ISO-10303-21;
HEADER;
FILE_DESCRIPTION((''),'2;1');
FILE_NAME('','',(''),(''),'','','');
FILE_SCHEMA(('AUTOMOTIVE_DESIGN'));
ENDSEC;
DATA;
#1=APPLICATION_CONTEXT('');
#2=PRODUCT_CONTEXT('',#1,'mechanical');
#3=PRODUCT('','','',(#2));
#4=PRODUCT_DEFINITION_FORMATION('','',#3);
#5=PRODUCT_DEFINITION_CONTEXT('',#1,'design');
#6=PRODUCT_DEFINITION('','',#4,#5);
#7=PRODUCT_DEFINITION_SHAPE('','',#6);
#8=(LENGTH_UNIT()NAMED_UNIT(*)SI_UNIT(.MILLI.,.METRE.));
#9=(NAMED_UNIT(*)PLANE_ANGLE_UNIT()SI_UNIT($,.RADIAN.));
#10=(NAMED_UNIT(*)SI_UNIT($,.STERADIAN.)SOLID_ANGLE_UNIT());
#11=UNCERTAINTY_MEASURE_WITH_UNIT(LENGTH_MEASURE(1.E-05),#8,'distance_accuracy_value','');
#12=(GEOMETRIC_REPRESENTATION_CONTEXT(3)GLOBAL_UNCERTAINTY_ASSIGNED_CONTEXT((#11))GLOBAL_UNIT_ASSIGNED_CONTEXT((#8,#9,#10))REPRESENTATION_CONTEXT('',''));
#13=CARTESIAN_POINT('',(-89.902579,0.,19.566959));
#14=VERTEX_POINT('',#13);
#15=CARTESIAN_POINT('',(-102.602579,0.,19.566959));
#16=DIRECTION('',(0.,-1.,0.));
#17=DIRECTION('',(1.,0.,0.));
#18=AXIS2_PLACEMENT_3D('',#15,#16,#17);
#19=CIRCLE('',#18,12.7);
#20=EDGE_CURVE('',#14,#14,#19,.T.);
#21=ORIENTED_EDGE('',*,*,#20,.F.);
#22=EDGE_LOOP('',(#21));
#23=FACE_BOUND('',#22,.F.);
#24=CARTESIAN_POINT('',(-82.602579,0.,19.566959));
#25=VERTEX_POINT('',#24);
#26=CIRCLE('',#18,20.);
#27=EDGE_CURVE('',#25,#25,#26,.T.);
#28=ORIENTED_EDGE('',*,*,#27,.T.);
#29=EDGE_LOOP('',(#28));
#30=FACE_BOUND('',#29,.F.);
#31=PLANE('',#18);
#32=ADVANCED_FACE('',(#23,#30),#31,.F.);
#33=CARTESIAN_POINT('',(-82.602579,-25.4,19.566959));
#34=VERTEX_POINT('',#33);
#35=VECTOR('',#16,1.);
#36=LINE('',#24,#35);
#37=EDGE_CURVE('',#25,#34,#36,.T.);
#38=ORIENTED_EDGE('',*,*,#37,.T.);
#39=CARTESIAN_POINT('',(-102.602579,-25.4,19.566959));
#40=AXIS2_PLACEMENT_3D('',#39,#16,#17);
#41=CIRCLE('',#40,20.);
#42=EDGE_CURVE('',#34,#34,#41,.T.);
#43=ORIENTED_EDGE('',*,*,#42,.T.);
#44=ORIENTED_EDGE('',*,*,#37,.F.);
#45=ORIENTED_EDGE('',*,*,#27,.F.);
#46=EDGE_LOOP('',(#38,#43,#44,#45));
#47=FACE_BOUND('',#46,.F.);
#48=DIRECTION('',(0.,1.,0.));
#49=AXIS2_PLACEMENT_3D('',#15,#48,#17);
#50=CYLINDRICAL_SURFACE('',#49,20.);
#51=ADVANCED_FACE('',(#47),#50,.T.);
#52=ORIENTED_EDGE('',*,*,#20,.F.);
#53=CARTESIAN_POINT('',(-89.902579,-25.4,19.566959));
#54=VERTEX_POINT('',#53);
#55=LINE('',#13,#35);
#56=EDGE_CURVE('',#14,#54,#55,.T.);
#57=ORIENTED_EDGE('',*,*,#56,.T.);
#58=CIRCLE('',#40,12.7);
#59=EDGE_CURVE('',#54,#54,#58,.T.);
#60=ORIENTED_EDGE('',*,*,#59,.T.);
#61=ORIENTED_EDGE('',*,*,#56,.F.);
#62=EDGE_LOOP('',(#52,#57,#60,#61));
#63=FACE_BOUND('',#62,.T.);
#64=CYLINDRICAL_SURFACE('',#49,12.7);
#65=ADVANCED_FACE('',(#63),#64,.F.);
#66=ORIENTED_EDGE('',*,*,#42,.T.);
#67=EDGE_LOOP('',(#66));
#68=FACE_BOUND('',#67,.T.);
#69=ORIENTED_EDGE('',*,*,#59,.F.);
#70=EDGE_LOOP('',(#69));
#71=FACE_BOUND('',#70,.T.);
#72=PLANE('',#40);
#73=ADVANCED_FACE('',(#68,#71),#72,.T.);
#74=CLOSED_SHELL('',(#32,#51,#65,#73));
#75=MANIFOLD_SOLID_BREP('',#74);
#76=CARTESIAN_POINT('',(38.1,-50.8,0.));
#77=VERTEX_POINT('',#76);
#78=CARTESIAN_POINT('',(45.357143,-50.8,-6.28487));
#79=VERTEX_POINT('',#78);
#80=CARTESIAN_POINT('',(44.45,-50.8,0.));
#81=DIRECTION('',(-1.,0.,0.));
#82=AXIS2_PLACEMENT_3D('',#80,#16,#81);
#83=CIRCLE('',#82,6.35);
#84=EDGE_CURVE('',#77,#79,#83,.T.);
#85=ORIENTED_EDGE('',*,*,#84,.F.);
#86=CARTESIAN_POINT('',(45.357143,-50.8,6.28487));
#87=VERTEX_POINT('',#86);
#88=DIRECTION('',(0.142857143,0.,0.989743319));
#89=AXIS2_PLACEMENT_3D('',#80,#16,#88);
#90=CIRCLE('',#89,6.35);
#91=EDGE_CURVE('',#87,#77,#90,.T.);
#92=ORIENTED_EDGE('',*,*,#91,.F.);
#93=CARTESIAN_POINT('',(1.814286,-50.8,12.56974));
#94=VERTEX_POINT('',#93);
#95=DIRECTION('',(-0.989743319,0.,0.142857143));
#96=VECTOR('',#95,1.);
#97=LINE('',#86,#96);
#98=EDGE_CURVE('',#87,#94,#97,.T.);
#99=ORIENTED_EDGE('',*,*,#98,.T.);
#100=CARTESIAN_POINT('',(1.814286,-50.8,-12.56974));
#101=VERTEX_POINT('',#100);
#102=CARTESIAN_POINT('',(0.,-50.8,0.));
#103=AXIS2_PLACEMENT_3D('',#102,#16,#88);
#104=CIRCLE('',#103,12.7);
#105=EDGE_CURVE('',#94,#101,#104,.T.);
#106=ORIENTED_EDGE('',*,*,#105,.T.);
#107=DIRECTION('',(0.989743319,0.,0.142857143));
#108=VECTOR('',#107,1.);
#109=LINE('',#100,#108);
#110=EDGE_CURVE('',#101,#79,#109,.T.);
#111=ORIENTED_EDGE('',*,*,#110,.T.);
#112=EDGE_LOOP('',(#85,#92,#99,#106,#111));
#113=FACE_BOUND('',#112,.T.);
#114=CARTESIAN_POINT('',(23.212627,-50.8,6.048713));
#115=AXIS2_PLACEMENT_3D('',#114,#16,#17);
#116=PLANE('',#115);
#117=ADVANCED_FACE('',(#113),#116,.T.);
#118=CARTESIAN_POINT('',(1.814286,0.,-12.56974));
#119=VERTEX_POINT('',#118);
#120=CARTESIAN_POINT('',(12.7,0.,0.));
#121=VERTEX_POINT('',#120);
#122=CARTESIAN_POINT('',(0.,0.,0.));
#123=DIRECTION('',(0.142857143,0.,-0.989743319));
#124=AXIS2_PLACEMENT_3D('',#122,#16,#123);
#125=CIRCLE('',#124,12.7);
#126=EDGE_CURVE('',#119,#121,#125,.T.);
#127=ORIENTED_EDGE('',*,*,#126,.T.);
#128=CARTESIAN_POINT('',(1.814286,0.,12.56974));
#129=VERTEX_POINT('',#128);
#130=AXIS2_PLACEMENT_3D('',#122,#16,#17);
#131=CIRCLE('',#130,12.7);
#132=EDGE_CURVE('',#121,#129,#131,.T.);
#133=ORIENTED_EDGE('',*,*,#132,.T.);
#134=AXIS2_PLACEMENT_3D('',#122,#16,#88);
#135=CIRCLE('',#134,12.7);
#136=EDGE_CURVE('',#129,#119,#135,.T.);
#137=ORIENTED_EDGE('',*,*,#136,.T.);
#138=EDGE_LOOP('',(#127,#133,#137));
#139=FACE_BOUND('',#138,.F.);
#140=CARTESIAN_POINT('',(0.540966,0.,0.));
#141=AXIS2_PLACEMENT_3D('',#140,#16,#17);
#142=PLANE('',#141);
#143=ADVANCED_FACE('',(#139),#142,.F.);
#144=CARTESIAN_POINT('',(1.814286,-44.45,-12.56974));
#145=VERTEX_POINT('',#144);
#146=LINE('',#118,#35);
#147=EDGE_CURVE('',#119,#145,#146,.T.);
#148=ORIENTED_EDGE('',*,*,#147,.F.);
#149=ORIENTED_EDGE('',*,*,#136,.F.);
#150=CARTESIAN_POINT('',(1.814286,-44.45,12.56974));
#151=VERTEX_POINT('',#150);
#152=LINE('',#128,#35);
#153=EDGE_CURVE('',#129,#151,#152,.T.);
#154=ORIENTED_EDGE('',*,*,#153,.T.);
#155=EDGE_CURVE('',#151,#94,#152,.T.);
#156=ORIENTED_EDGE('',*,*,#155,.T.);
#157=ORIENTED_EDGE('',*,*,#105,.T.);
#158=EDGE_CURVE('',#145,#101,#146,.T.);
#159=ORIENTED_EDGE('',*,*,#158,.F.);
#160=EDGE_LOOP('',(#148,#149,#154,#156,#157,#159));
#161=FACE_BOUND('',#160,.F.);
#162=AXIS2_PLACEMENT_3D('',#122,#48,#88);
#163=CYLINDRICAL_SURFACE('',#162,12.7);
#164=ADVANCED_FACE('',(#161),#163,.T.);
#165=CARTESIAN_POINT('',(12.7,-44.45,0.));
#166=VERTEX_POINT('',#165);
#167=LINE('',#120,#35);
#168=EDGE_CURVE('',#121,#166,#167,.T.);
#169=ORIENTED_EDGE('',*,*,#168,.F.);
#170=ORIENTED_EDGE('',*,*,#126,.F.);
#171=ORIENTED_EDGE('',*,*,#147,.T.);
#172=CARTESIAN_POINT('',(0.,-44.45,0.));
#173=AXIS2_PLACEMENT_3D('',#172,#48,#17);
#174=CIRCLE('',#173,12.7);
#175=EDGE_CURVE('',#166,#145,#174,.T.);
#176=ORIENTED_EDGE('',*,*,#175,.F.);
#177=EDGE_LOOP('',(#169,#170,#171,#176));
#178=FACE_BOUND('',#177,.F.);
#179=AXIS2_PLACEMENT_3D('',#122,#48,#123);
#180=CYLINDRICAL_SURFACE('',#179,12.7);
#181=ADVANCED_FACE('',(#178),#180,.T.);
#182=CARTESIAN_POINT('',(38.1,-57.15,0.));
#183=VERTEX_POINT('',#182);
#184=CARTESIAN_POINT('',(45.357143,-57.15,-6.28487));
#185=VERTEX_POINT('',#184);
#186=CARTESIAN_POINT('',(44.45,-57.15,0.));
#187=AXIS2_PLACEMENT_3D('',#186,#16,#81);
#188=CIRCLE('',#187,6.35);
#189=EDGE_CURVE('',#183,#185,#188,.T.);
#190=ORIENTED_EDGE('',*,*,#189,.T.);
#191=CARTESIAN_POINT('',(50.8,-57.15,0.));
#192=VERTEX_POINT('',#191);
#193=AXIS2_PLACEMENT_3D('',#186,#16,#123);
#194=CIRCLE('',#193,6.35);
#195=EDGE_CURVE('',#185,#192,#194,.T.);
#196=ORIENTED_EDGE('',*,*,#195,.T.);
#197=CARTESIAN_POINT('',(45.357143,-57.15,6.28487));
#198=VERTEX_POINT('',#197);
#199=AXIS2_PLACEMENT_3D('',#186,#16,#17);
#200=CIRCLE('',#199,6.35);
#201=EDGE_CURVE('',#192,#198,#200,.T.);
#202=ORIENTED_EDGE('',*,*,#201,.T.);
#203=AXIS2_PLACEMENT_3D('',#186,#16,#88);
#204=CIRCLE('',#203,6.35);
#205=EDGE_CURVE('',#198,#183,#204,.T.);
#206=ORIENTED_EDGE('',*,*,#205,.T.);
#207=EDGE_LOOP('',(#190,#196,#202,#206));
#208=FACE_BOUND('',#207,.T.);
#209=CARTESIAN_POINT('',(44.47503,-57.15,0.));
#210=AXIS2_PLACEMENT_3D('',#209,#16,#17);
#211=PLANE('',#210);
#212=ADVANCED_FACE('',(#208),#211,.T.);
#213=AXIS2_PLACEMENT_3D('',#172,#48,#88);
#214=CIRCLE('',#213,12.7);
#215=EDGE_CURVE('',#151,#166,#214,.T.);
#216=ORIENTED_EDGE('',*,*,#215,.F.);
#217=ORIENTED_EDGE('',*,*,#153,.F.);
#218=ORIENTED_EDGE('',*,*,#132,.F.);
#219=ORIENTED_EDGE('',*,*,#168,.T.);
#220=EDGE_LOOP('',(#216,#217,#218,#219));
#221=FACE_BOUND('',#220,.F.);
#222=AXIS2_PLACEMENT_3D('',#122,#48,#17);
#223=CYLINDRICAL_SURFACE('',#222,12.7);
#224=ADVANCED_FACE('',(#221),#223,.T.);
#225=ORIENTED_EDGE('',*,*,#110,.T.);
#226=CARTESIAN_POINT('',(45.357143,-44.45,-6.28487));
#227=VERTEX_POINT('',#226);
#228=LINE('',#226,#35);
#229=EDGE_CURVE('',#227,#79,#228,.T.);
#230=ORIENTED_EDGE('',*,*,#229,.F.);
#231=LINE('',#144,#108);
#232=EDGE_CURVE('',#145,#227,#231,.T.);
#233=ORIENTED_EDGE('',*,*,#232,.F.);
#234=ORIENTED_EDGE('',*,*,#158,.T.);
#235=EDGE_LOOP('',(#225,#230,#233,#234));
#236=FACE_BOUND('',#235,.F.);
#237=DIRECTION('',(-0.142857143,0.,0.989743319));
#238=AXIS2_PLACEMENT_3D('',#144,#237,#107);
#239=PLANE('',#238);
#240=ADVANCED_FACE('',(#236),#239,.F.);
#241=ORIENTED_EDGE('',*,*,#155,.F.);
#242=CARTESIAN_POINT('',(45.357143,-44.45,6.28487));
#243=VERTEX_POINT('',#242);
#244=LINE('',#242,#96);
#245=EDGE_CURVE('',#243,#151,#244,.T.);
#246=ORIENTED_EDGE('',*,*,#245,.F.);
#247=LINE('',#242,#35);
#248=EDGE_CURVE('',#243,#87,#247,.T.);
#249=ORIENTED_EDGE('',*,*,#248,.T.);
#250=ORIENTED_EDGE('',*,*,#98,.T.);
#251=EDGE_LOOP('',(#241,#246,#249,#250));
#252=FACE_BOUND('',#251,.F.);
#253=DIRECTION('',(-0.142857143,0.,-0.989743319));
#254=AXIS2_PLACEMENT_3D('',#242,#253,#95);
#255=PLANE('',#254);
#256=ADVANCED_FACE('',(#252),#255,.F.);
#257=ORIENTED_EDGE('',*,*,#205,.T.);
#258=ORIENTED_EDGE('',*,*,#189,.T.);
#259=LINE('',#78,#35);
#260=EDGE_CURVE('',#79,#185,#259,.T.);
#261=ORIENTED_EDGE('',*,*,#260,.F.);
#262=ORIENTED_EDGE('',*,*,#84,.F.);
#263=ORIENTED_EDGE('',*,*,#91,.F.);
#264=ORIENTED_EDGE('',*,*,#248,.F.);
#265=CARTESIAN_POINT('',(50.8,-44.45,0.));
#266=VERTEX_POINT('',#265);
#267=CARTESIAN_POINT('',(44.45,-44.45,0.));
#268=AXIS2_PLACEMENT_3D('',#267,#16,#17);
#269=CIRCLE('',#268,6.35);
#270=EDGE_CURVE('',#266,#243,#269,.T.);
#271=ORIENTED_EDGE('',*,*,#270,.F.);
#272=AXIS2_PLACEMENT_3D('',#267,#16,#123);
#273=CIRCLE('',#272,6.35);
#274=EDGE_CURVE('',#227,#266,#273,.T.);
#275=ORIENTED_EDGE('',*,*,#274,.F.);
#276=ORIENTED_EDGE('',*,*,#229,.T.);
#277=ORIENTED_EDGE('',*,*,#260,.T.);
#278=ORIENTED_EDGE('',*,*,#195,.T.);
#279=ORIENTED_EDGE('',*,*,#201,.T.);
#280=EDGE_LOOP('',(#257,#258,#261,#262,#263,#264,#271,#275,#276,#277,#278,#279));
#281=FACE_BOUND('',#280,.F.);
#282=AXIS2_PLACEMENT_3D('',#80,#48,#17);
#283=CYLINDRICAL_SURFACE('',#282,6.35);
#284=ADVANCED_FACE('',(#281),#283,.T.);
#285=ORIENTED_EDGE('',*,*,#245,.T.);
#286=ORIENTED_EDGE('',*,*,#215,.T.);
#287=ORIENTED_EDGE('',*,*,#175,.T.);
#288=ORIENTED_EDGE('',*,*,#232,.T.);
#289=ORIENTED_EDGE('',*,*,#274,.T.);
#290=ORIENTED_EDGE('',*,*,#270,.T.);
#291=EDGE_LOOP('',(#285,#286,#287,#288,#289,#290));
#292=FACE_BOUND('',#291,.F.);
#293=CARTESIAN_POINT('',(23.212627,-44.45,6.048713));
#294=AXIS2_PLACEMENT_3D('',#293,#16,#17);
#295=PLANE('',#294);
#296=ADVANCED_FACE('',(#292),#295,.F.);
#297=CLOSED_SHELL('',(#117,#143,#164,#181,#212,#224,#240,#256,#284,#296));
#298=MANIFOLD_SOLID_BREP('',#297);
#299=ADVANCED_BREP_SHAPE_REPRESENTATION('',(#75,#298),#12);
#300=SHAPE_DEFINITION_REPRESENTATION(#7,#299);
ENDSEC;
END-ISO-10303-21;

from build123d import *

# Parameters (mm, degrees)
F1_DEPTH = 50.8
F2_START = 44.45
F2_DEPTH = 6.35
F3_START = 50.8
F3_DEPTH = 6.35
F4_R     = 20
F4_R_2   = 12.7
F5_DEPTH = 25.4


with BuildPart() as f1:
    # F0 (on Front) → F1 (new body)
    with BuildSketch(Plane.XZ):
        with BuildLine():
            ThreePointArc((1.8142857143, -12.5697401464), (9.6002976144, -8.314101618), (12.7, 0))
            ThreePointArc((12.7, 0), (9.6002976144, 8.314101618), (1.8142857143, 12.5697401464))
            ThreePointArc((1.8142857143, 12.5697401464), (-12.7, 0), (1.8142857143, -12.5697401464))
        make_face()
    extrude(amount=F1_DEPTH)

    # F0 (on Front) → F2 (join)
    with BuildSketch(Plane.XZ.offset(F2_START)):
        with BuildLine():
            ThreePointArc((1.8142857143, 12.5697401464), (9.6002976144, 8.314101618), (12.7, 0))
            Line((12.7, 0), (38.1, 0))
            ThreePointArc((38.1, 0), (40.292949191, 4.8001488072), (45.3571428571, 6.2848700732))
            Line((45.3571428571, 6.2848700732), (1.8142857143, 12.5697401464))
        make_face()
        with BuildLine():
            Line((38.1, 0), (12.7, 0))
            ThreePointArc((12.7, 0), (9.6002976144, -8.314101618), (1.8142857143, -12.5697401464))
            Line((1.8142857143, -12.5697401464), (45.3571428571, -6.2848700732))
            ThreePointArc((45.3571428571, -6.2848700732), (40.292949191, -4.8001488072), (38.1, 0))
        make_face()
        with BuildLine():
            ThreePointArc((45.3571428571, 6.2848700732), (40.292949191, 4.8001488072), (38.1, 0))
            ThreePointArc((38.1, 0), (40.292949191, -4.8001488072), (45.3571428571, -6.2848700732))
            ThreePointArc((45.3571428571, -6.2848700732), (49.2501488072, -4.157050809), (50.8, 0))
            ThreePointArc((50.8, 0), (49.2501488072, 4.157050809), (45.3571428571, 6.2848700732))
        make_face()
    extrude(amount=F2_DEPTH)

    # F0 (on Front) → F3 (join)
    with BuildSketch(Plane.XZ.offset(F3_START)):
        with BuildLine():
            ThreePointArc((45.3571428571, 6.2848700732), (40.292949191, 4.8001488072), (38.1, 0))
            ThreePointArc((38.1, 0), (40.292949191, -4.8001488072), (45.3571428571, -6.2848700732))
            ThreePointArc((45.3571428571, -6.2848700732), (49.2501488072, -4.157050809), (50.8, 0))
            ThreePointArc((50.8, 0), (49.2501488072, 4.157050809), (45.3571428571, 6.2848700732))
        make_face()
    extrude(amount=F3_DEPTH)


with BuildPart() as f5:
    # F4 (on Front) → F5 (new body)
    with BuildSketch(Plane.XZ):
        with Locations((-102.6025786996, 19.5669587702)):
            Circle(F4_R)
        with Locations((-102.6025786996, 19.5669587702)):
            Circle(F4_R_2, mode=Mode.SUBTRACT)
    extrude(amount=F5_DEPTH)


solid = Compound([f1.part, f5.part])
